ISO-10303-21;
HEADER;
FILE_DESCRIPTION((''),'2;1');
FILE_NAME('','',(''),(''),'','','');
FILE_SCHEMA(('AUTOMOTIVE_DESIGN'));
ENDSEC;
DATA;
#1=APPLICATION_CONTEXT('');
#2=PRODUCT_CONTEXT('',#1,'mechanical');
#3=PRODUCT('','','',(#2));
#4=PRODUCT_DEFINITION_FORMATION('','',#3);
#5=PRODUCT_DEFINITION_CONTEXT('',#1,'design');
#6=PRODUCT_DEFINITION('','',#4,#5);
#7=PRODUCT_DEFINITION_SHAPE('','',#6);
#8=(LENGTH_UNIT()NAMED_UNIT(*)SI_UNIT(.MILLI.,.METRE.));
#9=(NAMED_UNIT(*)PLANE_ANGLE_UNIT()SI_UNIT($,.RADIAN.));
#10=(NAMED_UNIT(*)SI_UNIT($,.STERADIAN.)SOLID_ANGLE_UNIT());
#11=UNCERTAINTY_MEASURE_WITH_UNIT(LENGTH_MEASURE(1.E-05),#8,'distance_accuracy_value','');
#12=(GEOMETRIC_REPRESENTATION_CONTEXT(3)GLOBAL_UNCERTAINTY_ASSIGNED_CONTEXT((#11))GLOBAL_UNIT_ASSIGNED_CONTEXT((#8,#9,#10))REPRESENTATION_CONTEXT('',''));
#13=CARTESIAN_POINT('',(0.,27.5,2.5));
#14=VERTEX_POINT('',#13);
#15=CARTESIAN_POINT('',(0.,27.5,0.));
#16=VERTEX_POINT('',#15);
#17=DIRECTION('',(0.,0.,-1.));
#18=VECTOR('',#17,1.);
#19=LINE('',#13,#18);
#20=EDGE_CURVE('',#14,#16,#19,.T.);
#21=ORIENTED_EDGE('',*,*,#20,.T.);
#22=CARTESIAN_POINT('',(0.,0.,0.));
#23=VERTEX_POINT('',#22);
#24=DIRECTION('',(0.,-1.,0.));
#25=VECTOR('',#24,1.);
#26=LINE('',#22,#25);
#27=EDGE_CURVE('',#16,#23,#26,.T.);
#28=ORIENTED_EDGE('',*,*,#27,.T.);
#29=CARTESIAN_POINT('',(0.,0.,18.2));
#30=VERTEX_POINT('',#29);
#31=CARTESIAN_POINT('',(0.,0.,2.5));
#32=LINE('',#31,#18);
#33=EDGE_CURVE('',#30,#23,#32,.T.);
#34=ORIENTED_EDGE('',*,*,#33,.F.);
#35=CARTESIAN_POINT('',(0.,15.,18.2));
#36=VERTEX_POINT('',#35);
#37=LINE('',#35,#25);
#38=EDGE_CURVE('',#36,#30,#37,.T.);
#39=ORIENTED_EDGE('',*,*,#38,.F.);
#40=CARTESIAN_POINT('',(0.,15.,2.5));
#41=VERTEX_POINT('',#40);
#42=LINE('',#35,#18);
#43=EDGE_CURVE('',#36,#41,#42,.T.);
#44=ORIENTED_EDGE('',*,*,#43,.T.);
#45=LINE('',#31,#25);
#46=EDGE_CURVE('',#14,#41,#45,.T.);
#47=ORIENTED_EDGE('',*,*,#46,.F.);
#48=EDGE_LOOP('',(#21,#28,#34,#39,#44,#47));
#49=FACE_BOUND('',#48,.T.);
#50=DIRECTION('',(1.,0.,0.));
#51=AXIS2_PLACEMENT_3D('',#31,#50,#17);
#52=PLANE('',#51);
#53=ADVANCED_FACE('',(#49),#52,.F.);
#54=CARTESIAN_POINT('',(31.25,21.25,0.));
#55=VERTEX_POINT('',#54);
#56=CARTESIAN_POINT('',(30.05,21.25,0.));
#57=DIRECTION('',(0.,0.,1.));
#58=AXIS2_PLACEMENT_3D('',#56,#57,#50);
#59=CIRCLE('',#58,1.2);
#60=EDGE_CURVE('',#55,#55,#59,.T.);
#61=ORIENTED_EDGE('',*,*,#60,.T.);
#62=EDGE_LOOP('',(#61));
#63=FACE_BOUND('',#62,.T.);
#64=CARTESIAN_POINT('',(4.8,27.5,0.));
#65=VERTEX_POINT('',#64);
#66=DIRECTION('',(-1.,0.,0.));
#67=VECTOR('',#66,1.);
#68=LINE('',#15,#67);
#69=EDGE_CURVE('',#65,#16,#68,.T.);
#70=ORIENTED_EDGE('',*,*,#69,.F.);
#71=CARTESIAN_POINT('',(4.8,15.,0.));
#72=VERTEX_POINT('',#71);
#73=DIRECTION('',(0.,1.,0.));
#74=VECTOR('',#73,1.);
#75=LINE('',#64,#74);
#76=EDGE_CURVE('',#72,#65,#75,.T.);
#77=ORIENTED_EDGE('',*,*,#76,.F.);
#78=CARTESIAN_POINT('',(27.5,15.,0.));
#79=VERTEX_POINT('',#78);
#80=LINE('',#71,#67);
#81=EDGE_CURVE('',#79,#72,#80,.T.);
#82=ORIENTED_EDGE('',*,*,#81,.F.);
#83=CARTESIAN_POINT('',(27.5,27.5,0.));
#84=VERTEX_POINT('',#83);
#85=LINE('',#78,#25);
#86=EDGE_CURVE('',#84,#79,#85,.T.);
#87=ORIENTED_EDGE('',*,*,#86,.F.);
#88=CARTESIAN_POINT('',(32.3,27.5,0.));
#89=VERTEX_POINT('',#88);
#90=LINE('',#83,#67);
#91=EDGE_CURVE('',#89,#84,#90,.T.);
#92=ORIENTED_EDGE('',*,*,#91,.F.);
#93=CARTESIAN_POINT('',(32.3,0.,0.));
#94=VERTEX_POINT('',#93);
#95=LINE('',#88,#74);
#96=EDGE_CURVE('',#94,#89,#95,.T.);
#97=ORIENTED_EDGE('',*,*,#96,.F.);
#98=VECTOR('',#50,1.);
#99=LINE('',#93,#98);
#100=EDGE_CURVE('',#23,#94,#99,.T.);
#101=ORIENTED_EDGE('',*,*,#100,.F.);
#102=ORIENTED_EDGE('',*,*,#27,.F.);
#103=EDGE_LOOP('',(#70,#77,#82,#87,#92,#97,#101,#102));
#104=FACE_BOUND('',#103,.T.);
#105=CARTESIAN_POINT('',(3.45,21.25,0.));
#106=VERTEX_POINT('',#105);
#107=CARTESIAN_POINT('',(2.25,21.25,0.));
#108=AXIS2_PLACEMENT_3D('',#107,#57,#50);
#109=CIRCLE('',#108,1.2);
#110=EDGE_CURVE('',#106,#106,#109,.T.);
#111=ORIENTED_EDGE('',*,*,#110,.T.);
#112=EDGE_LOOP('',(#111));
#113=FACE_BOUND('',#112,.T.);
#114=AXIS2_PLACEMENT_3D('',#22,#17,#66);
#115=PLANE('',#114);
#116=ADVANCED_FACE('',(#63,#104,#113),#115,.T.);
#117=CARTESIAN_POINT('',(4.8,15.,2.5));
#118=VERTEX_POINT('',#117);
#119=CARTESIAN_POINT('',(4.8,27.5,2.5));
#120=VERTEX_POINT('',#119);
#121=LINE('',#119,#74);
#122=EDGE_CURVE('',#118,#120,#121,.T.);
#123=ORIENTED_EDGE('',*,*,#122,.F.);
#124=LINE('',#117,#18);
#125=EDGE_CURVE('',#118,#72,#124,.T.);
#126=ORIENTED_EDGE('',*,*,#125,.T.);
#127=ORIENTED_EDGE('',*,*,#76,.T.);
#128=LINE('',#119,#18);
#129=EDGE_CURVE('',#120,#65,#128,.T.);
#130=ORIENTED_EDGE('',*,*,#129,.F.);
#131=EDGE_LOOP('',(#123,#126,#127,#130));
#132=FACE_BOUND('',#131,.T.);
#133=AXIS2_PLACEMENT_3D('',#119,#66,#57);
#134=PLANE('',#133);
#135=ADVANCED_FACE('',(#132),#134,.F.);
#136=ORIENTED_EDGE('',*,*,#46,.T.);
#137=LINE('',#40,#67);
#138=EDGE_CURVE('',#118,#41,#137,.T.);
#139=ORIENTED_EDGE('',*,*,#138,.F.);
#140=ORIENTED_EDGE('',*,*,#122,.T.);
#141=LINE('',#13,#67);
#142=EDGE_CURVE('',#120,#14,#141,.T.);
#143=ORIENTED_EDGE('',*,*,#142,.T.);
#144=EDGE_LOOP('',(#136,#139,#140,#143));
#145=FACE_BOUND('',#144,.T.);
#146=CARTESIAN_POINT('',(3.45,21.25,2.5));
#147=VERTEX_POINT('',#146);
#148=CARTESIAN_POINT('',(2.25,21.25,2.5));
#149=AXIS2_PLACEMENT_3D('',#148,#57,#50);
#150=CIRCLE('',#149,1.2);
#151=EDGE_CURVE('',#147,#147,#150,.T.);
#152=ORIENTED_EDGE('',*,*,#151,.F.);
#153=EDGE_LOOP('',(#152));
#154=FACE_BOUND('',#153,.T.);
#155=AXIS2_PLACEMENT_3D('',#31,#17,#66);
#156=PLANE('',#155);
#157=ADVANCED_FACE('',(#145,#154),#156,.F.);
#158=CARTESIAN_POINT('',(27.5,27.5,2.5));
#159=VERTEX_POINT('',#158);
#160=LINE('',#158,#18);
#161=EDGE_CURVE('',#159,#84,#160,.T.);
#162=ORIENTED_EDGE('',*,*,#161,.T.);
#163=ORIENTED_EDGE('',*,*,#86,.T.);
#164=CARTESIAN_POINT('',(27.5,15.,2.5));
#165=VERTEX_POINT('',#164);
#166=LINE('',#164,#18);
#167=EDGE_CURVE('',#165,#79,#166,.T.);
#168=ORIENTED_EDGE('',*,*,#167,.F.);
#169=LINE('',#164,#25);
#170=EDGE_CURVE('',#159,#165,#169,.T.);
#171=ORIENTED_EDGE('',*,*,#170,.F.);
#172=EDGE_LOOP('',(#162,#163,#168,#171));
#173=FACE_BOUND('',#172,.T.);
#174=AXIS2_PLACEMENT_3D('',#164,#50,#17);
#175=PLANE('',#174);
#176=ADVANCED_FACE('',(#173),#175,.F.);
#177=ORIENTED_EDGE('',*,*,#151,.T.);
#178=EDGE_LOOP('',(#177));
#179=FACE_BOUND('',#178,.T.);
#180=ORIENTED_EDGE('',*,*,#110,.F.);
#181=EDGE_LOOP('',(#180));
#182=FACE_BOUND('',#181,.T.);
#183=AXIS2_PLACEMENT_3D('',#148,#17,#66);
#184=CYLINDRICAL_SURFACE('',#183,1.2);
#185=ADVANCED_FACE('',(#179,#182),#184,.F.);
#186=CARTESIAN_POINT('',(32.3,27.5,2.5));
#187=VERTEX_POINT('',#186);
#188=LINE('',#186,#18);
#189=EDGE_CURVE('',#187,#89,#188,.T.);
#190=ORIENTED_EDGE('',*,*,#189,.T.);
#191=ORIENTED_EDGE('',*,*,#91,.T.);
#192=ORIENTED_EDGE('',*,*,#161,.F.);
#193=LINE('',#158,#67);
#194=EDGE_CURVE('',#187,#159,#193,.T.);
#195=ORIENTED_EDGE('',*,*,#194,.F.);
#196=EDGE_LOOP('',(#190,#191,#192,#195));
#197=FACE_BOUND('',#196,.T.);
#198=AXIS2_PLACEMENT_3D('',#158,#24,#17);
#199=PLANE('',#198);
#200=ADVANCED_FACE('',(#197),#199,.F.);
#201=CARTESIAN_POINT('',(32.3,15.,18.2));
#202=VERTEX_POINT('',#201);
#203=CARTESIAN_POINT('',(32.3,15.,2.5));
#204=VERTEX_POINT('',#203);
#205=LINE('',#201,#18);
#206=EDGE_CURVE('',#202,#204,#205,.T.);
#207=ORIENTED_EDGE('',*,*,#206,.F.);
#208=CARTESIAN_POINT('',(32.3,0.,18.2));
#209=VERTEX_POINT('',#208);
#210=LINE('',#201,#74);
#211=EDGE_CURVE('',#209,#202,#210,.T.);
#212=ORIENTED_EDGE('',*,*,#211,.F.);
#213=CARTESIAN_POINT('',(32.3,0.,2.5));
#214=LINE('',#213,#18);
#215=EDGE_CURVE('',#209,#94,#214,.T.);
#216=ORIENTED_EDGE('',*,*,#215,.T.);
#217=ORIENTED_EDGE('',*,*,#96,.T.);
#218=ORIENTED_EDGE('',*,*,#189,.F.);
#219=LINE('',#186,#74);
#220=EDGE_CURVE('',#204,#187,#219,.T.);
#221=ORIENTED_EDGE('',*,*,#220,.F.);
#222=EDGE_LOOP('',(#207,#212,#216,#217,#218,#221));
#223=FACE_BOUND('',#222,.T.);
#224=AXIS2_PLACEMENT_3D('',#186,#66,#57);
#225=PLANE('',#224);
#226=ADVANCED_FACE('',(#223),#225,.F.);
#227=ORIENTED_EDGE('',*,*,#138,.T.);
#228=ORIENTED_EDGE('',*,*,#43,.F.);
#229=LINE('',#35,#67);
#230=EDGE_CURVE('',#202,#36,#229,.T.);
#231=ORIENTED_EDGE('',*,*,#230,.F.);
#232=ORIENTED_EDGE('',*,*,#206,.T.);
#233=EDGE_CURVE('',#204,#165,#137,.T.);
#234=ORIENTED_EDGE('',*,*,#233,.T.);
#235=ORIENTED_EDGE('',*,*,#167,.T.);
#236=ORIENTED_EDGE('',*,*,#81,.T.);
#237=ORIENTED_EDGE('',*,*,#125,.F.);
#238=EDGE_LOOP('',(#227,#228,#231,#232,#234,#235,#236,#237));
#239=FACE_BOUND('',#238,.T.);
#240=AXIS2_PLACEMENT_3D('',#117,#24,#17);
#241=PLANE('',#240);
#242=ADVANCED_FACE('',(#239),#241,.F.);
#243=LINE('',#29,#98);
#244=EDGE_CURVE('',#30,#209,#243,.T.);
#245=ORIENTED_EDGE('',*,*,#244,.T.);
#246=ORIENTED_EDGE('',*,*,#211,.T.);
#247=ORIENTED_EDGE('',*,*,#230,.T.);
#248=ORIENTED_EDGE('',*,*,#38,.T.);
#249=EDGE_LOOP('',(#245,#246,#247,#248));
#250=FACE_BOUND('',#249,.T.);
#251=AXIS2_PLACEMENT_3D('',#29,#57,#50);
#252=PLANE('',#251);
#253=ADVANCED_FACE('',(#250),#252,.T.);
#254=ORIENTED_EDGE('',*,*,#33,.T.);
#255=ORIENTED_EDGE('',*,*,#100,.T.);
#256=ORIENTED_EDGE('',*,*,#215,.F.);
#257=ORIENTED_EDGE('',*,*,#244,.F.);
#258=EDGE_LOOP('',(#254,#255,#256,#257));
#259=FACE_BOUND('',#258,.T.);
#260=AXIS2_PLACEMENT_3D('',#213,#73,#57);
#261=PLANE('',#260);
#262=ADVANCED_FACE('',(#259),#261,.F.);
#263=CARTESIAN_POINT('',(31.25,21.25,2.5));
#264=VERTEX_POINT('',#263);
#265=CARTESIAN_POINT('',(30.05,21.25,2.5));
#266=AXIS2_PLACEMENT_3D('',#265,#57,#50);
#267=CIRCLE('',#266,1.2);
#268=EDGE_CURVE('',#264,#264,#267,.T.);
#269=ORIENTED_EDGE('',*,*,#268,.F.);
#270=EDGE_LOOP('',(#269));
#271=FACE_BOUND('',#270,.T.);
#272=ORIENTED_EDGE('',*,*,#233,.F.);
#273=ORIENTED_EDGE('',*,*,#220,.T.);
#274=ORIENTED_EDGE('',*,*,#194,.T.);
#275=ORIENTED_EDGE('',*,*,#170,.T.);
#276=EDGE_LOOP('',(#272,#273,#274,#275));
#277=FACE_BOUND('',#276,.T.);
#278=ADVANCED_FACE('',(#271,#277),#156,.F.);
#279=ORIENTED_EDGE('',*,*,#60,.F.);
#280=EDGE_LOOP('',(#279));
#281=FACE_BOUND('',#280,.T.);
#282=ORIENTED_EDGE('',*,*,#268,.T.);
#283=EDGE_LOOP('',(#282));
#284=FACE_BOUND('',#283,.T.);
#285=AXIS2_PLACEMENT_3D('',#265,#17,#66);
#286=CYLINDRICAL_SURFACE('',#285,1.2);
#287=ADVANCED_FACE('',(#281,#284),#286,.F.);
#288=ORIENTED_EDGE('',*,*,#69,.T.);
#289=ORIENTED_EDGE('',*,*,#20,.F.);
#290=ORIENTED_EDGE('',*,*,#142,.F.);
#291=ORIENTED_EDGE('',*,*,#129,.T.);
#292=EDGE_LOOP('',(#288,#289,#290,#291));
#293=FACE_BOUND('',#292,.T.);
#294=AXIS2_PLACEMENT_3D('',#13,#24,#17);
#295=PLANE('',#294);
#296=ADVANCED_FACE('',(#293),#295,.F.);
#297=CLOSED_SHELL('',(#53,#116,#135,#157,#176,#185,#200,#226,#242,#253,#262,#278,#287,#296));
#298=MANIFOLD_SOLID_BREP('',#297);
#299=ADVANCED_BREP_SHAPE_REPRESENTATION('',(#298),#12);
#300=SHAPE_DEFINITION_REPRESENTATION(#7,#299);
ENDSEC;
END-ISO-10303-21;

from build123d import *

# Parameters (mm, degrees)
SKETCH1_R           = 1.2
BOSS_EXTRUDE1_DEPTH = 2.5
SKETCH2_W           = 32.3
SKETCH2_H           = 15
BOSS_EXTRUDE2_DEPTH = 15.7


with BuildPart() as part:
    # Sketch1 → Boss-Extrude1 (new body)
    with BuildSketch(Plane.XY):
        Polygon((0, 0), (0, 27.5), (4.8, 27.5), (4.8, 15), (27.5, 15), (27.5, 27.5), (32.3, 27.5), (32.3, 0), align=None)
        with Locations((2.25, 21.25)):
            Circle(SKETCH1_R, mode=Mode.SUBTRACT)
        with Locations((30.05, 21.25)):
            Circle(SKETCH1_R, mode=Mode.SUBTRACT)
    extrude(amount=BOSS_EXTRUDE1_DEPTH)

    # Sketch2 → Boss-Extrude2 (add)
    with BuildSketch(Plane.XY.offset(2.5)):
        with Locations((16.15, 7.5)):
            Rectangle(SKETCH2_W, SKETCH2_H)
    extrude(amount=BOSS_EXTRUDE2_DEPTH)


solid = part.part
